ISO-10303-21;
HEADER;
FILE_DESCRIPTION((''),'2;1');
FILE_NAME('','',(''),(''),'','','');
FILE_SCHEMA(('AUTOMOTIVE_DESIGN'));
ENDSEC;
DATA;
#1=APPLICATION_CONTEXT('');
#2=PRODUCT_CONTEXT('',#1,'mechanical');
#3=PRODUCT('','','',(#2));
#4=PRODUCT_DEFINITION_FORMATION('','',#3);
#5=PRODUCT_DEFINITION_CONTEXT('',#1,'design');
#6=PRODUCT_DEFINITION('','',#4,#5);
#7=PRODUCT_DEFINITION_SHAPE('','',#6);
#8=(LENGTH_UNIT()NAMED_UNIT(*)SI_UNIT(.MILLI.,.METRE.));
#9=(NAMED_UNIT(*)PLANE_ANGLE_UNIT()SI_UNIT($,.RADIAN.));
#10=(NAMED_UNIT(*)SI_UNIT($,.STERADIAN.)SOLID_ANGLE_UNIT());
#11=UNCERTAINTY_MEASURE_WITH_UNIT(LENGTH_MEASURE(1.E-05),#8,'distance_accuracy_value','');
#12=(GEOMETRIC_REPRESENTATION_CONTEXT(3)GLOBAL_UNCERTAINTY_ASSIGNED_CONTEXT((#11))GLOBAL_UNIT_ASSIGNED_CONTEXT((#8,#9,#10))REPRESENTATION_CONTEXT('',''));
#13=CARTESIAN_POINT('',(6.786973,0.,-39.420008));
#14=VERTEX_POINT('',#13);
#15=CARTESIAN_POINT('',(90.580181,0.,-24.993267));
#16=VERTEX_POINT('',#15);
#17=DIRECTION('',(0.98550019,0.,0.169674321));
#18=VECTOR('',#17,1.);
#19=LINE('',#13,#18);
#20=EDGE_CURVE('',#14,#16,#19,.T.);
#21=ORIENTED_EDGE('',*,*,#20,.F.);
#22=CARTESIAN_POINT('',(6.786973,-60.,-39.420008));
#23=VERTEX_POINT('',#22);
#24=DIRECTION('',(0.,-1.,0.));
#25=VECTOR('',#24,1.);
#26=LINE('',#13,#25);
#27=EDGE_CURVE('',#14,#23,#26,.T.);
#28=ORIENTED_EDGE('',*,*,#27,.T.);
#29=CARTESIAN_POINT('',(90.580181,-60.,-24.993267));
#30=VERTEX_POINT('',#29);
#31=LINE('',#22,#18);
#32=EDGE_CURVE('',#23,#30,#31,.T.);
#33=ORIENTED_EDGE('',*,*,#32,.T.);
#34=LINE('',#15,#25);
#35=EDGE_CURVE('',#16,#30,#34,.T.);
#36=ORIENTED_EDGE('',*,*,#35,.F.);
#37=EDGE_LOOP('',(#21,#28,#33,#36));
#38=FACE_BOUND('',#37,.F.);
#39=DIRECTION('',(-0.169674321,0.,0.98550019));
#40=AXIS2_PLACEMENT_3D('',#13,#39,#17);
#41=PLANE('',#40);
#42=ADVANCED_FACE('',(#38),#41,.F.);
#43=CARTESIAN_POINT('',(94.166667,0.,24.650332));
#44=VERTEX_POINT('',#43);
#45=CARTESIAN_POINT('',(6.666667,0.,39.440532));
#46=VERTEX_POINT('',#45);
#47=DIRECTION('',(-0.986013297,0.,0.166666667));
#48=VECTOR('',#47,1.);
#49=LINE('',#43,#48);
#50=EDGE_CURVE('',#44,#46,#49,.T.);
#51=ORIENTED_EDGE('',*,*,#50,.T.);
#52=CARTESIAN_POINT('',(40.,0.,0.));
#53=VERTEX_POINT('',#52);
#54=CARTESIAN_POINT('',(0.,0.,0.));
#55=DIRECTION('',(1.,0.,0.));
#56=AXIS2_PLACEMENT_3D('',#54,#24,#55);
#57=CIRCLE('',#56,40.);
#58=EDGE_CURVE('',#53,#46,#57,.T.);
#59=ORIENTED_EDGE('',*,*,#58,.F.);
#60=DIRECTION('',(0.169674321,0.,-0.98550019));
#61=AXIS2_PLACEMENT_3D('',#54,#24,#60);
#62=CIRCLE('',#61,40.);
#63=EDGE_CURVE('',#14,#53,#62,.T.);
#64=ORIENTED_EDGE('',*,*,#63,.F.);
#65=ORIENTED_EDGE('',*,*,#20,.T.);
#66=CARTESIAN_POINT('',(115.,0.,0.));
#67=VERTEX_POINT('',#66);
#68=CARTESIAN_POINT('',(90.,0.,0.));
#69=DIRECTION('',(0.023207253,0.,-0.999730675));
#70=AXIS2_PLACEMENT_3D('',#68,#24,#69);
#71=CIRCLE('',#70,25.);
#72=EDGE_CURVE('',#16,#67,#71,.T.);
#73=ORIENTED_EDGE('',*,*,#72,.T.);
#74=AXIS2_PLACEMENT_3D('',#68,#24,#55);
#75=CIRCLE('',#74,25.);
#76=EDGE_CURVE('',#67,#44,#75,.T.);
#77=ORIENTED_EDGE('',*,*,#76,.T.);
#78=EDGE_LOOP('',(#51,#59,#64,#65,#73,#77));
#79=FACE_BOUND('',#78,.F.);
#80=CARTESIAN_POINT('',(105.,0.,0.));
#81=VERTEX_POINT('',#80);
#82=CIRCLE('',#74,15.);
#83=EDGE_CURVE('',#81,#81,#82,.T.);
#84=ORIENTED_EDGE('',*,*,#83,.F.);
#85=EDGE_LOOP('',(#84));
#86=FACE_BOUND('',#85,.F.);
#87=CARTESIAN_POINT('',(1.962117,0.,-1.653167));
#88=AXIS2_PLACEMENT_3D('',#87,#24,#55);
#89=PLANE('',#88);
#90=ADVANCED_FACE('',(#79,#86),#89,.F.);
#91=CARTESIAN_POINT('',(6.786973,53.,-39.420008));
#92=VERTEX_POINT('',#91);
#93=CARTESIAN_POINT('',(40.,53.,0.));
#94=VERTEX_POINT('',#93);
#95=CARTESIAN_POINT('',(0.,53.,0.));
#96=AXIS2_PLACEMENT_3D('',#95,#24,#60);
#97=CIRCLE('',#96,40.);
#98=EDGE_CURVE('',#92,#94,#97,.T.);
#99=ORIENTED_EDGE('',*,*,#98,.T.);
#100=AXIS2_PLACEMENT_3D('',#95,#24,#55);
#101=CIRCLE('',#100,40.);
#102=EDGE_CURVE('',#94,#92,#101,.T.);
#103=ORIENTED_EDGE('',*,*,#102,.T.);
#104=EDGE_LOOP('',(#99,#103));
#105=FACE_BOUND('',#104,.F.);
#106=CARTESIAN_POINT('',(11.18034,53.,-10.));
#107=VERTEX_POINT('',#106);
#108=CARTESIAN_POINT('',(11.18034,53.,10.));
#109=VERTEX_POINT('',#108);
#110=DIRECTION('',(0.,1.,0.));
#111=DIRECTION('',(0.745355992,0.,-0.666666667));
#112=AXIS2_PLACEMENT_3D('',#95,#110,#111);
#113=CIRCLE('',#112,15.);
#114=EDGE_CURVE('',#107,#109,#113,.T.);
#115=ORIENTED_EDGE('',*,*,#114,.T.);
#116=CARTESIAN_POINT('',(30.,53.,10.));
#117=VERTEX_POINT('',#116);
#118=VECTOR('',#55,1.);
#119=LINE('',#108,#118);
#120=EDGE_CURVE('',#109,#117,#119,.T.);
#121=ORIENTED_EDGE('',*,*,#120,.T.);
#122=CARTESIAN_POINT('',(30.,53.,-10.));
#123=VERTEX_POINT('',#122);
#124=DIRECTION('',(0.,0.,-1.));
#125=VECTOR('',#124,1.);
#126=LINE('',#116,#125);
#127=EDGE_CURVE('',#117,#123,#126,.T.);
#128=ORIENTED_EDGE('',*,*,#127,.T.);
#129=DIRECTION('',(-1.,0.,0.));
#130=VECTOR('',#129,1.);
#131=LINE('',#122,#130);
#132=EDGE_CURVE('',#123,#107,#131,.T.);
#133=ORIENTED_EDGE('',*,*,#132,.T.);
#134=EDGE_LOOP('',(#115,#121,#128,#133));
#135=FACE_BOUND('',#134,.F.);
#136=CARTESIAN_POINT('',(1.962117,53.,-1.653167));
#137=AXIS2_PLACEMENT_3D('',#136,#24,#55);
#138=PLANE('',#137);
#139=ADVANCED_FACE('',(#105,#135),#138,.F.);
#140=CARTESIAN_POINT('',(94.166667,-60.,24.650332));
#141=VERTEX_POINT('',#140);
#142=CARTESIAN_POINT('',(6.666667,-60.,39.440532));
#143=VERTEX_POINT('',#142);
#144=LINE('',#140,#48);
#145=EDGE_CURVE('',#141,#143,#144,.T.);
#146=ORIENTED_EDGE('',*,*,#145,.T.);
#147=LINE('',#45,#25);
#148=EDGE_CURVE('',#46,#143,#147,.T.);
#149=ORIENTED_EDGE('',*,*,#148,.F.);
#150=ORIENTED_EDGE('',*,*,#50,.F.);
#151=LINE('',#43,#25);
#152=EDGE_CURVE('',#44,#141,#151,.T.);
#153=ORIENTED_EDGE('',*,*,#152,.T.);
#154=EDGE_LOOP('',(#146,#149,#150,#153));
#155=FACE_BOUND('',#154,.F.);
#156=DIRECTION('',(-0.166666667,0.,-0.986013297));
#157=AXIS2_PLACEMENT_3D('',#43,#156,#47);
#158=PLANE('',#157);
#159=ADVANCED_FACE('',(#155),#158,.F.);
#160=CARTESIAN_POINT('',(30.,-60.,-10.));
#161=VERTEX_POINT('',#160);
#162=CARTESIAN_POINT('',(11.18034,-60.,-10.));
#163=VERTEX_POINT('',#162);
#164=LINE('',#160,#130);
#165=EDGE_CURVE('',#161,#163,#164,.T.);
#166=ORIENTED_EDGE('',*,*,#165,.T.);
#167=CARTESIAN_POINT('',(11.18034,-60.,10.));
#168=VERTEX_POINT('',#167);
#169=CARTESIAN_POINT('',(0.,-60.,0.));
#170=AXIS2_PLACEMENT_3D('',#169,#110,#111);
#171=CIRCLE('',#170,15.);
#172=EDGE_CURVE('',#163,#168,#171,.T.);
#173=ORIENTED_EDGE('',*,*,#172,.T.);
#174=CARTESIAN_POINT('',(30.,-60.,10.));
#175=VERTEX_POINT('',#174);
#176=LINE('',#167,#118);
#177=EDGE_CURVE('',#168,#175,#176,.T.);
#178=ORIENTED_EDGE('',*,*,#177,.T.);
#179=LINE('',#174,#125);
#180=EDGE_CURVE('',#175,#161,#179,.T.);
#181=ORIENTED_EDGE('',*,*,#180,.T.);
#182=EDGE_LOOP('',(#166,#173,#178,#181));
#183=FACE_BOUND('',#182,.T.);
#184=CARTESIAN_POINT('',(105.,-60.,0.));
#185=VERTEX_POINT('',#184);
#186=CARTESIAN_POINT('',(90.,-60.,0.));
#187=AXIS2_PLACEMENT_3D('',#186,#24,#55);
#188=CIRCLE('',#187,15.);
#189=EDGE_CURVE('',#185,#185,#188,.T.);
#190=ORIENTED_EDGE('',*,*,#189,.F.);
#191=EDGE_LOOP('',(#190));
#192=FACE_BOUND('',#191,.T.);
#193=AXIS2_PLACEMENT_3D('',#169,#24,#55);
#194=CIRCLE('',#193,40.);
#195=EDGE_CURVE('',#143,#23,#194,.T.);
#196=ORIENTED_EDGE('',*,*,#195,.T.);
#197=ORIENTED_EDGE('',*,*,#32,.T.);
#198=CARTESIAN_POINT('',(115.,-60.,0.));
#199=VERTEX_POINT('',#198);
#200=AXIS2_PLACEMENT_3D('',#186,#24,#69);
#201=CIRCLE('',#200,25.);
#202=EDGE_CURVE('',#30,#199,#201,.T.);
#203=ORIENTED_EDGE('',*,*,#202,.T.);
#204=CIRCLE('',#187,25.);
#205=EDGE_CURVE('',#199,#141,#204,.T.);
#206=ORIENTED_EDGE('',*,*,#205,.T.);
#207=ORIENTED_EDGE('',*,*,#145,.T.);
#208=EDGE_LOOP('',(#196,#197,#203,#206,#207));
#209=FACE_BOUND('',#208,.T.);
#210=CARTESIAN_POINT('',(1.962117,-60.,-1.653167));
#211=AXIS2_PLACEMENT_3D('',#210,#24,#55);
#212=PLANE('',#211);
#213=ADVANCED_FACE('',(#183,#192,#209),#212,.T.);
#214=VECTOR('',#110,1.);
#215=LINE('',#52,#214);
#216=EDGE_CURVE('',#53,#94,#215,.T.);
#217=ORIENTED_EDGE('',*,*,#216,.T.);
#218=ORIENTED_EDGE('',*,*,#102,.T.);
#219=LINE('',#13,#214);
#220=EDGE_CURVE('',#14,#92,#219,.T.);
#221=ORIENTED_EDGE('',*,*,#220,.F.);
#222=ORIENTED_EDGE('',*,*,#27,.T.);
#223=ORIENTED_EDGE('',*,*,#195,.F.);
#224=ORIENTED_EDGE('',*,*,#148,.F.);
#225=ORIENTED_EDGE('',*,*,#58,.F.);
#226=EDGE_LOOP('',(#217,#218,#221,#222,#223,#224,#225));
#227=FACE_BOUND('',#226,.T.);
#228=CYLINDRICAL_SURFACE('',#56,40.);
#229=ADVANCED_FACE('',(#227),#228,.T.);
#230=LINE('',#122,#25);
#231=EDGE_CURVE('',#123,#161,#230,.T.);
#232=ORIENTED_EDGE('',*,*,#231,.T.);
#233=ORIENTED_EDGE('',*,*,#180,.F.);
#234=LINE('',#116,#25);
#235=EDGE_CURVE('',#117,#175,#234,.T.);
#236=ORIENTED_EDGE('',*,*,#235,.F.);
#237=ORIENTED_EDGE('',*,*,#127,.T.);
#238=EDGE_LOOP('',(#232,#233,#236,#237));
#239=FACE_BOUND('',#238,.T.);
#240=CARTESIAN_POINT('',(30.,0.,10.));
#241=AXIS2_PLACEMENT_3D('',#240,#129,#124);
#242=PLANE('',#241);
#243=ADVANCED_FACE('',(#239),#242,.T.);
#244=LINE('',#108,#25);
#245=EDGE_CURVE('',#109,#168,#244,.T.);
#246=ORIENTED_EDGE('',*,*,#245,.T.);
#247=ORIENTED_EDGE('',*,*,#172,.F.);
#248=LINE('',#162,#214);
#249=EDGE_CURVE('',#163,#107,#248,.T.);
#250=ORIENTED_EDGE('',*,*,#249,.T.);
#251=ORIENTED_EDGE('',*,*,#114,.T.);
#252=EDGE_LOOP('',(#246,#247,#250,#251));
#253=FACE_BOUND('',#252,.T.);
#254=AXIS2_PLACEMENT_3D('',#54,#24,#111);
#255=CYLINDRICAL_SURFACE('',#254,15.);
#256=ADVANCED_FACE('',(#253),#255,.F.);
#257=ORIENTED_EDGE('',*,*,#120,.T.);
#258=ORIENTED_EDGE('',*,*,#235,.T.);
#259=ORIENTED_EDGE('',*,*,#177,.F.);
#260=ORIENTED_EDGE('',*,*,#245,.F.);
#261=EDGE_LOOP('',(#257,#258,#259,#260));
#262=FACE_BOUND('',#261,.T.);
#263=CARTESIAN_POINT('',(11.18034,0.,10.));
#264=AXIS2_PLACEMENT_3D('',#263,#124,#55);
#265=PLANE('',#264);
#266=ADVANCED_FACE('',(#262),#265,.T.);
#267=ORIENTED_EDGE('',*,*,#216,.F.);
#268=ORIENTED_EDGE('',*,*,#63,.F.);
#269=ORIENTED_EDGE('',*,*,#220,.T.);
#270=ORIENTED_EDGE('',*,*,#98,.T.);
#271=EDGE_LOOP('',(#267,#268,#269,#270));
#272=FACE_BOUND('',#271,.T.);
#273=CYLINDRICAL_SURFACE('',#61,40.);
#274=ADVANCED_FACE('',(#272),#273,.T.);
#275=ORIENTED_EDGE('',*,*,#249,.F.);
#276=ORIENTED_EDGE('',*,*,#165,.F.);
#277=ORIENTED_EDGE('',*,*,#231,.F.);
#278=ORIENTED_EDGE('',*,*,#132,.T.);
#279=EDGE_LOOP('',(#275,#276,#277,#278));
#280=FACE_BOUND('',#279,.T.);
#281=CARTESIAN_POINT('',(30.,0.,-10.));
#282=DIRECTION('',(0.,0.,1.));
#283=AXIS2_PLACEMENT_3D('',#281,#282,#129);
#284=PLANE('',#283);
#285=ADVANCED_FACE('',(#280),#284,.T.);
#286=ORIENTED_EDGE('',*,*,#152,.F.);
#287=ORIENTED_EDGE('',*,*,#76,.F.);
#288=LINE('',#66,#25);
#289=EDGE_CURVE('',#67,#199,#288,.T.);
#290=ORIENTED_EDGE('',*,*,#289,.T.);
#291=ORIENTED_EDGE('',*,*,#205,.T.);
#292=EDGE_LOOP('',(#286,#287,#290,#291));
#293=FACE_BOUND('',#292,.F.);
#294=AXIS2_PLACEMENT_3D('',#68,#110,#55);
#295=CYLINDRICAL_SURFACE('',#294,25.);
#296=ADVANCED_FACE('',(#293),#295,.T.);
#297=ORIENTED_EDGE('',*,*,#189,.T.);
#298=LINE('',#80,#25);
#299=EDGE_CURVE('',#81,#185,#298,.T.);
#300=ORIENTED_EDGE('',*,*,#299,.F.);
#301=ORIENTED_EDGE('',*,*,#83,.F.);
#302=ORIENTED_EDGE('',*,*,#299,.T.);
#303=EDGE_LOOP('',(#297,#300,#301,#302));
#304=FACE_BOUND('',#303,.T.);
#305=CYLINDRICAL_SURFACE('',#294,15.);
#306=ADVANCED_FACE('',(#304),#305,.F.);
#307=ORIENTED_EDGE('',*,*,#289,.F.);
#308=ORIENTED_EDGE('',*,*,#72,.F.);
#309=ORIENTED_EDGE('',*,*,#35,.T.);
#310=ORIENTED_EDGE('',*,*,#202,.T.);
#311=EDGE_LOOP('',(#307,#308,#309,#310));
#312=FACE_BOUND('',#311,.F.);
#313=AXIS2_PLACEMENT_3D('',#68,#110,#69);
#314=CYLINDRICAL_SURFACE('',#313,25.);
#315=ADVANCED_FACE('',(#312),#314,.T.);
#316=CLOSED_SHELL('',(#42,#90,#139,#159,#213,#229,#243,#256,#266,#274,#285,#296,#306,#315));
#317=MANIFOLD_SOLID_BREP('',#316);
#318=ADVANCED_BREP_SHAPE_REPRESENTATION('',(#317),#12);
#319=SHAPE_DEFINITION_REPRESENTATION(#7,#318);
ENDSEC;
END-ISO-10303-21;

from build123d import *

# Parameters (mm, degrees)
F0_R     = 15
F1_DEPTH = 60
F2_DEPTH = 53


with BuildPart() as f1:
    # F0 (on Front) → F1 (new body)
    with BuildSketch(Plane.XZ):
        with BuildLine():
            ThreePointArc((6.7869728258, -39.4200076086), (30.5898587201, -25.7732524817), (40, 0))
            ThreePointArc((40, 0), (30.550504633, 25.8198889747), (6.6666666667, 39.4405318873))
            ThreePointArc((6.6666666667, 39.4405318873), (-39.9999534537, -0.0610221639), (6.7869728258, -39.4200076086))
        make_face()
        with BuildLine():
            ThreePointArc((-11.1803398875, 10), (0, 15), (11.1803398875, 10))
            Line((11.1803398875, 10), (30, 10))
            Line((30, 10), (30, -10))
            Line((30, -10), (11.1803398875, -10))
            ThreePointArc((11.1803398875, -10), (0, -15), (-11.1803398875, -10))
            Line((-11.1803398875, -10), (-30, -10))
            Line((-30, -10), (-30, 10))
            Line((-30, 10), (-11.1803398875, 10))
        make_face(mode=Mode.SUBTRACT)
        with BuildLine():
            ThreePointArc((-11.1803398875, -10), (-15, 0), (-11.1803398875, 10))
            Line((-11.1803398875, 10), (-30, 10))
            Line((-30, 10), (-30, -10))
            Line((-30, -10), (-11.1803398875, -10))
        make_face()
        with BuildLine():
            ThreePointArc((6.6666666667, 39.4405318873), (30.550504633, 25.8198889747), (40, 0))
            ThreePointArc((40, 0), (30.5898587201, -25.7732524817), (6.7869728258, -39.4200076086))
            Line((6.7869728258, -39.4200076086), (90.5801813232, -24.9932668859))
            ThreePointArc((90.5801813232, -24.9932668859), (65.0649868717, 1.8014217413), (94.1666666667, 24.6503324296))
            Line((94.1666666667, 24.6503324296), (6.6666666667, 39.4405318873))
        make_face()
        with BuildLine():
            ThreePointArc((115, 0), (109.0940653956, 16.1374306092), (94.1666666667, 24.6503324296))
            ThreePointArc((94.1666666667, 24.6503324296), (65.0649868717, 1.8014217413), (90.5801813232, -24.9932668859))
            ThreePointArc((90.5801813232, -24.9932668859), (107.8816181186, -17.4713403453), (115, 0))
        make_face()
        with Locations((90, 0)):
            Circle(F0_R, mode=Mode.SUBTRACT)
    extrude(amount=F1_DEPTH)

    # F0 (on Front) → F2 (join)
    with BuildSketch(Plane.XZ):
        with BuildLine():
            ThreePointArc((6.7869728258, -39.4200076086), (30.5898587201, -25.7732524817), (40, 0))
            ThreePointArc((40, 0), (30.550504633, 25.8198889747), (6.6666666667, 39.4405318873))
            ThreePointArc((6.6666666667, 39.4405318873), (-39.9999534537, -0.0610221639), (6.7869728258, -39.4200076086))
        make_face()
        with BuildLine():
            ThreePointArc((-11.1803398875, 10), (0, 15), (11.1803398875, 10))
            Line((11.1803398875, 10), (30, 10))
            Line((30, 10), (30, -10))
            Line((30, -10), (11.1803398875, -10))
            ThreePointArc((11.1803398875, -10), (0, -15), (-11.1803398875, -10))
            Line((-11.1803398875, -10), (-30, -10))
            Line((-30, -10), (-30, 10))
            Line((-30, 10), (-11.1803398875, 10))
        make_face(mode=Mode.SUBTRACT)
        with BuildLine():
            ThreePointArc((-11.1803398875, -10), (-15, 0), (-11.1803398875, 10))
            Line((-11.1803398875, 10), (-30, 10))
            Line((-30, 10), (-30, -10))
            Line((-30, -10), (-11.1803398875, -10))
        make_face()
    extrude(amount=-F2_DEPTH)


solid = f1.part
